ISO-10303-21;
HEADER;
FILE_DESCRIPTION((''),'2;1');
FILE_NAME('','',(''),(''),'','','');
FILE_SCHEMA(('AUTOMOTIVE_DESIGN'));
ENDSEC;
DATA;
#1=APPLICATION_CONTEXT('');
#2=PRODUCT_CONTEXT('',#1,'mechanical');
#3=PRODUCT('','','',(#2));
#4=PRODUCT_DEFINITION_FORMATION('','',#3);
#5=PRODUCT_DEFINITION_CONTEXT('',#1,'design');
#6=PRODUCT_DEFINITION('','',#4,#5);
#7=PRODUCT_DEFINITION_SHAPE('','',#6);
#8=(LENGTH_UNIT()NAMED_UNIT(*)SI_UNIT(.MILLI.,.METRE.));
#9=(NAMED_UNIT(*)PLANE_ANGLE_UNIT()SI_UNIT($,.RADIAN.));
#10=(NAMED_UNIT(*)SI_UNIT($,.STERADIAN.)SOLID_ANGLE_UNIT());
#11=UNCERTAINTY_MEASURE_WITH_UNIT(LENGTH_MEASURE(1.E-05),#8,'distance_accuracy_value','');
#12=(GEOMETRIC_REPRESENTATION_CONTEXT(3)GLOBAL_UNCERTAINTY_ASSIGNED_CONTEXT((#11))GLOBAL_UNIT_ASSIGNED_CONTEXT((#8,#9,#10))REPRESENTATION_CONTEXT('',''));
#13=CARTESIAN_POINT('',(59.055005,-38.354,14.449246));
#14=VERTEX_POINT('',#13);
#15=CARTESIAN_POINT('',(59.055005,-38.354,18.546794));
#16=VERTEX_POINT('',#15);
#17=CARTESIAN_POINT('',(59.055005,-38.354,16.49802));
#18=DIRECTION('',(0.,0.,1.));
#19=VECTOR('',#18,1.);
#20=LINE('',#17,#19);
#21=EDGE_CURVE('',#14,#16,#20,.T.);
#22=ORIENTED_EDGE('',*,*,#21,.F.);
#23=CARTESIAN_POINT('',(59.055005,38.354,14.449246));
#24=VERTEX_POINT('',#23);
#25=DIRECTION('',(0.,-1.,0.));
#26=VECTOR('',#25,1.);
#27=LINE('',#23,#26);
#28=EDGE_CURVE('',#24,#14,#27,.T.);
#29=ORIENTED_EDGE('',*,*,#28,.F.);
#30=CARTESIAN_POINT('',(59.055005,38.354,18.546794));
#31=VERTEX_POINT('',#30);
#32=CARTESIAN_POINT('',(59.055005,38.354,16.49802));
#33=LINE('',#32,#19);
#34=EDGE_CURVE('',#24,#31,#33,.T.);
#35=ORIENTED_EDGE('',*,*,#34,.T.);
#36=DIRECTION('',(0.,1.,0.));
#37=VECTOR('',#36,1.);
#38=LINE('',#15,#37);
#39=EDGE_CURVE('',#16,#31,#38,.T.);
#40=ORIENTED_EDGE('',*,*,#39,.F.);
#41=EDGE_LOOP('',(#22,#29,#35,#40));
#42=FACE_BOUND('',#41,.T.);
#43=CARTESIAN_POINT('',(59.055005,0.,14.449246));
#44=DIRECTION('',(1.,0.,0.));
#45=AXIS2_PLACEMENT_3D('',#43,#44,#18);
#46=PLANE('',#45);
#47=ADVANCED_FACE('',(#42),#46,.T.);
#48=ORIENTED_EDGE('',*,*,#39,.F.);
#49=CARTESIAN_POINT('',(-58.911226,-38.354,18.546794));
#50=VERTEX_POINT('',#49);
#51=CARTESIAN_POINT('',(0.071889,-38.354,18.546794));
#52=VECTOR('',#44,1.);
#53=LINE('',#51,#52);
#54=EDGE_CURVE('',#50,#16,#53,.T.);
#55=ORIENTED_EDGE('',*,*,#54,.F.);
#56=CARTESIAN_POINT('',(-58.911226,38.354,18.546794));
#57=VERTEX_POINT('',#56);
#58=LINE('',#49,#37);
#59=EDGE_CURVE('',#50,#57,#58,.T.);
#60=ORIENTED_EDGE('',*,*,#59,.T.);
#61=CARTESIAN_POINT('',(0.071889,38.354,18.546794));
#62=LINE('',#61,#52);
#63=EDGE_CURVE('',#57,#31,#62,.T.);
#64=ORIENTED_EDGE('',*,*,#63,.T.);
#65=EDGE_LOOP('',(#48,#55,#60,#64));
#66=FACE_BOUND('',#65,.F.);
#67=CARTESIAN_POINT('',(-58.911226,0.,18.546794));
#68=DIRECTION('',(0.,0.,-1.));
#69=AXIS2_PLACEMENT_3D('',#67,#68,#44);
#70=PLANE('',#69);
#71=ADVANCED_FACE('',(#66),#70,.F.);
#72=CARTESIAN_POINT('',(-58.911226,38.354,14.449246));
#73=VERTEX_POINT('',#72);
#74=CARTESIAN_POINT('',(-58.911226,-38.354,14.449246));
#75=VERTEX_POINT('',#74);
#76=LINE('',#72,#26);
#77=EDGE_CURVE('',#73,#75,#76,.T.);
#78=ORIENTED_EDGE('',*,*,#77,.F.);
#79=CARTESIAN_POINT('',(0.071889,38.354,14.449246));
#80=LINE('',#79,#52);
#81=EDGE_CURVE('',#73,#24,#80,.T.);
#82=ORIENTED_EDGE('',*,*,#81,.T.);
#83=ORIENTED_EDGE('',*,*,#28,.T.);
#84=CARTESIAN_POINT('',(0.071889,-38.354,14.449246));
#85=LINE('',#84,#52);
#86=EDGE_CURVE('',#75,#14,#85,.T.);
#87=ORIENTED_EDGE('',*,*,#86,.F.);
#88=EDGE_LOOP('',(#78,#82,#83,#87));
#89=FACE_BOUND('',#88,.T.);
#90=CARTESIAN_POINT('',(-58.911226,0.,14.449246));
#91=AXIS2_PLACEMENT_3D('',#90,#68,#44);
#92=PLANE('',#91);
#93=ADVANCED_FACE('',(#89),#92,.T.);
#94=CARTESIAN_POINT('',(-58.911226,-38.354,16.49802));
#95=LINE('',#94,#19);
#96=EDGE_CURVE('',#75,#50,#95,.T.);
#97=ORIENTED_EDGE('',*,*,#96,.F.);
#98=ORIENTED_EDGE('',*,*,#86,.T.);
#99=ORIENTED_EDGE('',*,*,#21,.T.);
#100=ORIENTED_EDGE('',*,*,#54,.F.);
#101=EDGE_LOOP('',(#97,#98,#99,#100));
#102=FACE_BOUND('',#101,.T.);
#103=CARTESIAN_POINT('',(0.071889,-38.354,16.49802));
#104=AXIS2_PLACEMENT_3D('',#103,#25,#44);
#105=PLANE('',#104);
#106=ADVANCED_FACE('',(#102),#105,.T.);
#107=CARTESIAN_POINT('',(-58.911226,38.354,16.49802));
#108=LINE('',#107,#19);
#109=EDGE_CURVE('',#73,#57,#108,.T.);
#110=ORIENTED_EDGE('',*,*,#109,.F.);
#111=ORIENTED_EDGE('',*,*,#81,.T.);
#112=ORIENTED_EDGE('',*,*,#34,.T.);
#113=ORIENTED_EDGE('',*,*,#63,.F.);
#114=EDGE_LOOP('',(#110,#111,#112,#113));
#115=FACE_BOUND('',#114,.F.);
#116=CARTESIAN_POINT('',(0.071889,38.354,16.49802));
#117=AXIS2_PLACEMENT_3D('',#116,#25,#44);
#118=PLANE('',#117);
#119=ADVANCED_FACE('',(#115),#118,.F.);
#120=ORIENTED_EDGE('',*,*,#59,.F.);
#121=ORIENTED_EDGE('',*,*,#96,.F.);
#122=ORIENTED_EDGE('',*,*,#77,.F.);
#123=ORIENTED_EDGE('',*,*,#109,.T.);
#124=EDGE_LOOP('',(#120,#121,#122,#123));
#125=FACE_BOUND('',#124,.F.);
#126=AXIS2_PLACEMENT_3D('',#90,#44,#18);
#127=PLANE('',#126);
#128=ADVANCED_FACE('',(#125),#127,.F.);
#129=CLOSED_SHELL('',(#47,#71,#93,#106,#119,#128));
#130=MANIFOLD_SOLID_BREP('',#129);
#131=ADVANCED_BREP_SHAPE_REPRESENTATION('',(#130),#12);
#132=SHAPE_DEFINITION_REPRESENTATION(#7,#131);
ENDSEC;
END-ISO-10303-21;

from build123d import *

# Parameters (mm, degrees)
F0_W     = 117.966231
F0_H     = 4.097548
F1_DEPTH = 38.354


with BuildPart() as f1:
    # F0 (on Front) → F1 (new body, symmetric)
    with BuildSketch(Plane.XZ):
        with Locations((3.881889, 16.49802)):
            Rectangle(F0_W, F0_H)
    extrude(amount=F1_DEPTH, both=True)


with BuildPart() as f1_1:
    # F2: moved
    add(f1.part.moved(Location((-3.81, 0, 0))))


solid = f1_1.part
